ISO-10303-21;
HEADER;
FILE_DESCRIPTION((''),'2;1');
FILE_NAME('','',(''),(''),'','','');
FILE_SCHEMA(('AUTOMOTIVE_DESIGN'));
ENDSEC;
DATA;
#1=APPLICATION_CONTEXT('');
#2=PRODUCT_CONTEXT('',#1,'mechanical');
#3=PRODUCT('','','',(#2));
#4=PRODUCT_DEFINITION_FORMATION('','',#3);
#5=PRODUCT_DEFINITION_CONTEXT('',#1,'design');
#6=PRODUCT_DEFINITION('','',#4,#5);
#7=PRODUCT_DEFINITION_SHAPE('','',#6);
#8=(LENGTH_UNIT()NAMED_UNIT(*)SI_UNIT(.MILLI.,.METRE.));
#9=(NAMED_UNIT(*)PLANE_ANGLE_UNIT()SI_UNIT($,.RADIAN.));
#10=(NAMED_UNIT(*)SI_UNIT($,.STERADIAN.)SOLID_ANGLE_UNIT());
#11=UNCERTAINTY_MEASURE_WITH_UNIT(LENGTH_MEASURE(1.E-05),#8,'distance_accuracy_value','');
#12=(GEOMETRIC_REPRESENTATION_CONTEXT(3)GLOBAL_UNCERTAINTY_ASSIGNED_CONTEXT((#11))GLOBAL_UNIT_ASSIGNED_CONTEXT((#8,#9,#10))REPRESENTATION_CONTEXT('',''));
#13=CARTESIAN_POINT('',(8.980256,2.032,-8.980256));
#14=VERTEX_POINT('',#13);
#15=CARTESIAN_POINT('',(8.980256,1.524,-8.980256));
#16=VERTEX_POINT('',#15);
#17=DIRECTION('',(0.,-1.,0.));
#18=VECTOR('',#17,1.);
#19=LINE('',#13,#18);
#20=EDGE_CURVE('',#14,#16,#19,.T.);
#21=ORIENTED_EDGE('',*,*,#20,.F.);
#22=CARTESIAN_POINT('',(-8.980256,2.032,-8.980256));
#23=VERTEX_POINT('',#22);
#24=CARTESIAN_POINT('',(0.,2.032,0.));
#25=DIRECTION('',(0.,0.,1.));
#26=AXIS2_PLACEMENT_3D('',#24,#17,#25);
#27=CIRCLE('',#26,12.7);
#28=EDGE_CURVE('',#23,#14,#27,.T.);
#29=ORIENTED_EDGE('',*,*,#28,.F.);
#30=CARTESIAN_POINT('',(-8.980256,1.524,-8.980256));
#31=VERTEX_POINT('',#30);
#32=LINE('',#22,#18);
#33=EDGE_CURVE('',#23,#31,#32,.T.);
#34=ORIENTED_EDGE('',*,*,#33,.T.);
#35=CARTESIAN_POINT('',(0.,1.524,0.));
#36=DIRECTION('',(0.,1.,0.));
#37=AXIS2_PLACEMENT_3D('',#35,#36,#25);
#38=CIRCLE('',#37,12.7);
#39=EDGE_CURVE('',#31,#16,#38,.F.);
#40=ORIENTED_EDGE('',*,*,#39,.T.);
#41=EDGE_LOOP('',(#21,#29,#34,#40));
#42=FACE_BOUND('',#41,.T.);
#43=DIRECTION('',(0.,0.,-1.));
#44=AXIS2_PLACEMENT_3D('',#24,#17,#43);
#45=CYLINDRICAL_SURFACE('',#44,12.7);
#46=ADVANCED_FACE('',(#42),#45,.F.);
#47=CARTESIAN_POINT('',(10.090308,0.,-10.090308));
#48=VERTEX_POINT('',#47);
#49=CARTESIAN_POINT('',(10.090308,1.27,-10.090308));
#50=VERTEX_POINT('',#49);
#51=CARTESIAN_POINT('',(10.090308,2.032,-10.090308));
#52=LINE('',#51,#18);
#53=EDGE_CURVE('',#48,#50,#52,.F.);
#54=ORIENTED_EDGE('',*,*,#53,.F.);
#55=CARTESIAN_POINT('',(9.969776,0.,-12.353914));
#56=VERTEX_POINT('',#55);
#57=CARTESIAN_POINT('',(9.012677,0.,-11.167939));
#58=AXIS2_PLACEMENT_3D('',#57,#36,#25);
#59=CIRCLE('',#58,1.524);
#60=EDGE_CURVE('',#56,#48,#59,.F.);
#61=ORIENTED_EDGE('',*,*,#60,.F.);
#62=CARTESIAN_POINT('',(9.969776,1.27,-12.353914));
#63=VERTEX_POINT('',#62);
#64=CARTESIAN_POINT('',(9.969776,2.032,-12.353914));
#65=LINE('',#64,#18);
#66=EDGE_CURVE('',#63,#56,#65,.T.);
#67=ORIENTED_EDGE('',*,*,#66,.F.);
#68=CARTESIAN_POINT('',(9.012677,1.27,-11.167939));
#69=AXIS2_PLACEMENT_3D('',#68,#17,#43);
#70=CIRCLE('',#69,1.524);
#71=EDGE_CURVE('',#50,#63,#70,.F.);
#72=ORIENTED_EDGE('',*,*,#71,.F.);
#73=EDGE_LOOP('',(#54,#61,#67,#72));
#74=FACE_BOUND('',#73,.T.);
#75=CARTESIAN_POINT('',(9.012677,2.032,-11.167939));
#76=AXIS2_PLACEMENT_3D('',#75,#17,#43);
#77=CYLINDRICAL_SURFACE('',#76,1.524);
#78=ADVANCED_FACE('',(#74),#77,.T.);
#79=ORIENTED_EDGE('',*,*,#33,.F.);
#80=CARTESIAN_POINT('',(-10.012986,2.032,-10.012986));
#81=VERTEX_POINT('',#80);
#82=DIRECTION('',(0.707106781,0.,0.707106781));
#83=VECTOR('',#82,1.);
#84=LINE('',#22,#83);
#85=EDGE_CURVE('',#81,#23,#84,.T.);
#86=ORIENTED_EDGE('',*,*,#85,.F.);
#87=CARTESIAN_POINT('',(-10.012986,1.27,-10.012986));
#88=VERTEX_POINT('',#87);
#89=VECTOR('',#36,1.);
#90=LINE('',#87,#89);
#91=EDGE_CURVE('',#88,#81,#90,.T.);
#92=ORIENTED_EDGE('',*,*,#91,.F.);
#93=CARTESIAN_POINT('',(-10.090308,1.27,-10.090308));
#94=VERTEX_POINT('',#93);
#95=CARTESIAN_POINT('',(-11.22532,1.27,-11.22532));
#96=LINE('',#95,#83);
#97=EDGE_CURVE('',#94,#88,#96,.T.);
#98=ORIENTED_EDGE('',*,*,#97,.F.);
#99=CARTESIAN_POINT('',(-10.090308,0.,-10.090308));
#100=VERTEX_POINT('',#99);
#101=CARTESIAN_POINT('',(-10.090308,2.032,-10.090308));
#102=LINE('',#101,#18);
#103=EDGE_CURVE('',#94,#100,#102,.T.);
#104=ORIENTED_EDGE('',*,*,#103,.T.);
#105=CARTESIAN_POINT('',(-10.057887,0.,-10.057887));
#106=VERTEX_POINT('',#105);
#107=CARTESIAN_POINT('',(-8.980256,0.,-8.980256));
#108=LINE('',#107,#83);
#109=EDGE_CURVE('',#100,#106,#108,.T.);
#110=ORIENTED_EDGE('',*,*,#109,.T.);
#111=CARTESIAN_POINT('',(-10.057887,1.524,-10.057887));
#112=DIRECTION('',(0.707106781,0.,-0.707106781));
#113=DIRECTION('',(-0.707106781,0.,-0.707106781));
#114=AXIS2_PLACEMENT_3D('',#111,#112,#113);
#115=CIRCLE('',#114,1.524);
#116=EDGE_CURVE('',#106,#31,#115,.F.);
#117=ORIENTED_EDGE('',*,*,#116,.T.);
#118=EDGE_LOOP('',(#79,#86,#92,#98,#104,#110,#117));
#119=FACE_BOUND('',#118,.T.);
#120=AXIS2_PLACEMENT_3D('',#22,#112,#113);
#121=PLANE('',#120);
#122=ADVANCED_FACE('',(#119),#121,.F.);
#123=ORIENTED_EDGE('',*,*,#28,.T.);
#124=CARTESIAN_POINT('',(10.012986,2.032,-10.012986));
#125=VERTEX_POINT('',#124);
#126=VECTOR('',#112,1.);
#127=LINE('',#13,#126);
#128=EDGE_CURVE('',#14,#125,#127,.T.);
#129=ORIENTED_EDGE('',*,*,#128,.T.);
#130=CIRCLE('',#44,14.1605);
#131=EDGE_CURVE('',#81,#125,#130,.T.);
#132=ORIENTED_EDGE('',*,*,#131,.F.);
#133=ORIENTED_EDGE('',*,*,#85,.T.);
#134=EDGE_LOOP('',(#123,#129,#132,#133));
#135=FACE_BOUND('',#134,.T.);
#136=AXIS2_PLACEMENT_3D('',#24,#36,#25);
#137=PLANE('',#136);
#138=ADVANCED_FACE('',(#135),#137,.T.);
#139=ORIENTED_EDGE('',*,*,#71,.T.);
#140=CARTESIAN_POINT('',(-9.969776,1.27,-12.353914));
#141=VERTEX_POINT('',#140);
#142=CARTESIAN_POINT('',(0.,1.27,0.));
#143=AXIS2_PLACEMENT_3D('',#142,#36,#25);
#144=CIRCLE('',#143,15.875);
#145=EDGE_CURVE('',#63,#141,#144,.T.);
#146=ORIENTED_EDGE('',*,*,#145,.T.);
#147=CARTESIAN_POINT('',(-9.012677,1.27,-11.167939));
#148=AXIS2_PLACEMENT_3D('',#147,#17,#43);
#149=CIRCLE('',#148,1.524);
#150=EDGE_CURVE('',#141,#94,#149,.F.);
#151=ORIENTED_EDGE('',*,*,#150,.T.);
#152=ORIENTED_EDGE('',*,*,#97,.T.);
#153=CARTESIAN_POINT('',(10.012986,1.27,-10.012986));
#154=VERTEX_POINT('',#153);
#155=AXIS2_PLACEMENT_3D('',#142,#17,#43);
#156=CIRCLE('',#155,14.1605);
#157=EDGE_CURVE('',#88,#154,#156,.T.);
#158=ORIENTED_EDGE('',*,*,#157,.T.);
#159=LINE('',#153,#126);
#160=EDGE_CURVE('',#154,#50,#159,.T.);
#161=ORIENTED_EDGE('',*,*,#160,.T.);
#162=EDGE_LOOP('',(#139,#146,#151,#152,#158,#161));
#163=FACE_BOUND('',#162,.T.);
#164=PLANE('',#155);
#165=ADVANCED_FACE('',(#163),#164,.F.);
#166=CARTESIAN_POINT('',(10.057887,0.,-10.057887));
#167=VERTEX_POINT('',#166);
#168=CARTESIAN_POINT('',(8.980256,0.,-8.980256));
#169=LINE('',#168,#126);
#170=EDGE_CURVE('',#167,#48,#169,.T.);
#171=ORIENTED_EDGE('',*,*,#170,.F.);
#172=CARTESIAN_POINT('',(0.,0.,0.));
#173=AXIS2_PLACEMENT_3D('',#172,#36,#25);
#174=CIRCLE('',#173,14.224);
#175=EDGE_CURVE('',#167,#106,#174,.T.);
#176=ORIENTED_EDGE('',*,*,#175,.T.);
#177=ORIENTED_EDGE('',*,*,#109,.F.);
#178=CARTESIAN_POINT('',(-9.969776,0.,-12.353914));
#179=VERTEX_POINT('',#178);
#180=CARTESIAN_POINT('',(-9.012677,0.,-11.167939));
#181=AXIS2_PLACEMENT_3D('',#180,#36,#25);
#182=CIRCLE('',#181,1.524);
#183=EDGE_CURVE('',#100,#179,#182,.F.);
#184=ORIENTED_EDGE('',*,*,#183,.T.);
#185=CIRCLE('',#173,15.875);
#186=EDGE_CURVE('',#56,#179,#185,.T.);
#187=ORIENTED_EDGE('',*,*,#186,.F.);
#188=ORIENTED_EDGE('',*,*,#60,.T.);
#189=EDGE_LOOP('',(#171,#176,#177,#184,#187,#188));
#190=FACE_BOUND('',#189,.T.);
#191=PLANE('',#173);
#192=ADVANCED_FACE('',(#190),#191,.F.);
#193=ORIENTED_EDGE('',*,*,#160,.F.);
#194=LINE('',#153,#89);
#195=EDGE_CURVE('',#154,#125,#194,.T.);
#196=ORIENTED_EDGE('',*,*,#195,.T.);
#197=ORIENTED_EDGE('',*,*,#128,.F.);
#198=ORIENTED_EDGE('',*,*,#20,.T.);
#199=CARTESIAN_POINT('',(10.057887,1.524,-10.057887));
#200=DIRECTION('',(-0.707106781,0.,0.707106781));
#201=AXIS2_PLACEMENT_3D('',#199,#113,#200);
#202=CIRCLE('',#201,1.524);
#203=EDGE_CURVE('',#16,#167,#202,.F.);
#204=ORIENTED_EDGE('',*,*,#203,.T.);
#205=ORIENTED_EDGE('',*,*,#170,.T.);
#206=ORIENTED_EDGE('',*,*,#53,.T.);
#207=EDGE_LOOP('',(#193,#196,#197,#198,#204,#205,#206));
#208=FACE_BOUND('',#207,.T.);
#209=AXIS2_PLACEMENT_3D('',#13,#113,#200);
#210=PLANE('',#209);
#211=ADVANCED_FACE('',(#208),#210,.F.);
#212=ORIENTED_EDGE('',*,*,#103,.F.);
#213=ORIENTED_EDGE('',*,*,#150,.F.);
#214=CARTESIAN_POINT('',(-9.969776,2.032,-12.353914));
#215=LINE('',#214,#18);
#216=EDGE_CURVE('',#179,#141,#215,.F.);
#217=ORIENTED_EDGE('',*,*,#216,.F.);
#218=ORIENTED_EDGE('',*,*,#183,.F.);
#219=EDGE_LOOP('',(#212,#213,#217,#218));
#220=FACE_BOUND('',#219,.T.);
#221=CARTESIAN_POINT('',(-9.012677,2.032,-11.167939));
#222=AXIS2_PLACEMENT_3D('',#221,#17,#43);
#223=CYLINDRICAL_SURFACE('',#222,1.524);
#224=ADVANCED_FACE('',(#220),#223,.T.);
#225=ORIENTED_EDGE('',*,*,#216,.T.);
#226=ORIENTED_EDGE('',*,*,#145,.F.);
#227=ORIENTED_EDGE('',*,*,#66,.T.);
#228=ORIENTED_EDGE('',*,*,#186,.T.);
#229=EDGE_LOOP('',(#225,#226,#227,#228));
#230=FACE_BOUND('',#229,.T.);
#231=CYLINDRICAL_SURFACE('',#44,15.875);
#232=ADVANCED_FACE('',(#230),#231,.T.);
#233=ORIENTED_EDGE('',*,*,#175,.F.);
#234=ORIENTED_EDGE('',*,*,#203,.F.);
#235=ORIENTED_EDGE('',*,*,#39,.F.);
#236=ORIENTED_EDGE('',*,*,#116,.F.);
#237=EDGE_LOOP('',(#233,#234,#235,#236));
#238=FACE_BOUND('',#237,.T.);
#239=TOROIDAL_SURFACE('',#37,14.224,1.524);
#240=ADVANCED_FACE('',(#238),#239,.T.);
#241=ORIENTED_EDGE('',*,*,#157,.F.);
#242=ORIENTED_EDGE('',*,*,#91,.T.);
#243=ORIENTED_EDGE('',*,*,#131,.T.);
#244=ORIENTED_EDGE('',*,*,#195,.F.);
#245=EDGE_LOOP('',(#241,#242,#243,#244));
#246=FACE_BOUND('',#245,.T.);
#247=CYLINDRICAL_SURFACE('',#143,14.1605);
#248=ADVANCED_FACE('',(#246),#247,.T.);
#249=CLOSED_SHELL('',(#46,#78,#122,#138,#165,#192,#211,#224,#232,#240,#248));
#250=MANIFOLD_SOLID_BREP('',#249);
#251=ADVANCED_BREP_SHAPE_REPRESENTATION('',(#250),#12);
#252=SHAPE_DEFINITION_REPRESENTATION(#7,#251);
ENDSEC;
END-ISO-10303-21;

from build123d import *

# Parameters (mm, degrees)
BOSS_EXTRUDE1_DEPTH = 2.032
CUT_EXTRUDE1_START  = -0.762
CUT_EXTRUDE1_DEPTH  = 0.762
FILLET2_R           = 1.524
FILLET1_R           = 1.524


with BuildPart() as part:
    # Sketch1 → Boss-Extrude1 (new body)
    with BuildSketch(Plane(origin=(0, 0, 0), x_dir=(1, 0, 0), z_dir=(0, 1, 0))):
        with BuildLine():
            Line((-8.980256121, 8.980256121), (-11.225320151, 11.225320151))
            ThreePointArc((-11.225320151, 11.225320151), (0, 15.875), (11.225320151, 11.225320151))
            Line((11.225320151, 11.225320151), (8.980256121, 8.980256121))
            ThreePointArc((8.980256121, 8.980256121), (0, 12.7), (-8.980256121, 8.980256121))
        make_face()
    extrude(amount=BOSS_EXTRUDE1_DEPTH)

    # Sketch2 → Cut-Extrude1 (cut)
    with BuildSketch(Plane(origin=(0, 2.032, 0), x_dir=(1, 0, 0), z_dir=(0, 1, 0)).offset(CUT_EXTRUDE1_START)):
        with BuildLine():
            Line((10.012985575, 10.012985575), (11.225320151, 11.225320151))
            ThreePointArc((11.225320151, 11.225320151), (0, 15.875), (-11.225320151, 11.225320151))
            Line((-11.225320151, 11.225320151), (-10.012985575, 10.012985575))
            ThreePointArc((-10.012985575, 10.012985575), (0, 14.1605), (10.012985575, 10.012985575))
        make_face()
    extrude(amount=CUT_EXTRUDE1_DEPTH, mode=Mode.SUBTRACT)

    # Fillet2
    fillet2_edges = [part.edges().sort_by_distance(p)[0] for p in [
        (0, 0, -12.7),
    ]]
    fillet(fillet2_edges, radius=FILLET2_R)

    # Fillet1
    fillet1_edges = [part.edges().sort_by_distance(p)[0] for p in [
        (-11.225320151, 0.635, -11.225320151),
        (11.225320151, 0.635, -11.225320151),
    ]]
    fillet(fillet1_edges, radius=FILLET1_R)


solid = part.part
